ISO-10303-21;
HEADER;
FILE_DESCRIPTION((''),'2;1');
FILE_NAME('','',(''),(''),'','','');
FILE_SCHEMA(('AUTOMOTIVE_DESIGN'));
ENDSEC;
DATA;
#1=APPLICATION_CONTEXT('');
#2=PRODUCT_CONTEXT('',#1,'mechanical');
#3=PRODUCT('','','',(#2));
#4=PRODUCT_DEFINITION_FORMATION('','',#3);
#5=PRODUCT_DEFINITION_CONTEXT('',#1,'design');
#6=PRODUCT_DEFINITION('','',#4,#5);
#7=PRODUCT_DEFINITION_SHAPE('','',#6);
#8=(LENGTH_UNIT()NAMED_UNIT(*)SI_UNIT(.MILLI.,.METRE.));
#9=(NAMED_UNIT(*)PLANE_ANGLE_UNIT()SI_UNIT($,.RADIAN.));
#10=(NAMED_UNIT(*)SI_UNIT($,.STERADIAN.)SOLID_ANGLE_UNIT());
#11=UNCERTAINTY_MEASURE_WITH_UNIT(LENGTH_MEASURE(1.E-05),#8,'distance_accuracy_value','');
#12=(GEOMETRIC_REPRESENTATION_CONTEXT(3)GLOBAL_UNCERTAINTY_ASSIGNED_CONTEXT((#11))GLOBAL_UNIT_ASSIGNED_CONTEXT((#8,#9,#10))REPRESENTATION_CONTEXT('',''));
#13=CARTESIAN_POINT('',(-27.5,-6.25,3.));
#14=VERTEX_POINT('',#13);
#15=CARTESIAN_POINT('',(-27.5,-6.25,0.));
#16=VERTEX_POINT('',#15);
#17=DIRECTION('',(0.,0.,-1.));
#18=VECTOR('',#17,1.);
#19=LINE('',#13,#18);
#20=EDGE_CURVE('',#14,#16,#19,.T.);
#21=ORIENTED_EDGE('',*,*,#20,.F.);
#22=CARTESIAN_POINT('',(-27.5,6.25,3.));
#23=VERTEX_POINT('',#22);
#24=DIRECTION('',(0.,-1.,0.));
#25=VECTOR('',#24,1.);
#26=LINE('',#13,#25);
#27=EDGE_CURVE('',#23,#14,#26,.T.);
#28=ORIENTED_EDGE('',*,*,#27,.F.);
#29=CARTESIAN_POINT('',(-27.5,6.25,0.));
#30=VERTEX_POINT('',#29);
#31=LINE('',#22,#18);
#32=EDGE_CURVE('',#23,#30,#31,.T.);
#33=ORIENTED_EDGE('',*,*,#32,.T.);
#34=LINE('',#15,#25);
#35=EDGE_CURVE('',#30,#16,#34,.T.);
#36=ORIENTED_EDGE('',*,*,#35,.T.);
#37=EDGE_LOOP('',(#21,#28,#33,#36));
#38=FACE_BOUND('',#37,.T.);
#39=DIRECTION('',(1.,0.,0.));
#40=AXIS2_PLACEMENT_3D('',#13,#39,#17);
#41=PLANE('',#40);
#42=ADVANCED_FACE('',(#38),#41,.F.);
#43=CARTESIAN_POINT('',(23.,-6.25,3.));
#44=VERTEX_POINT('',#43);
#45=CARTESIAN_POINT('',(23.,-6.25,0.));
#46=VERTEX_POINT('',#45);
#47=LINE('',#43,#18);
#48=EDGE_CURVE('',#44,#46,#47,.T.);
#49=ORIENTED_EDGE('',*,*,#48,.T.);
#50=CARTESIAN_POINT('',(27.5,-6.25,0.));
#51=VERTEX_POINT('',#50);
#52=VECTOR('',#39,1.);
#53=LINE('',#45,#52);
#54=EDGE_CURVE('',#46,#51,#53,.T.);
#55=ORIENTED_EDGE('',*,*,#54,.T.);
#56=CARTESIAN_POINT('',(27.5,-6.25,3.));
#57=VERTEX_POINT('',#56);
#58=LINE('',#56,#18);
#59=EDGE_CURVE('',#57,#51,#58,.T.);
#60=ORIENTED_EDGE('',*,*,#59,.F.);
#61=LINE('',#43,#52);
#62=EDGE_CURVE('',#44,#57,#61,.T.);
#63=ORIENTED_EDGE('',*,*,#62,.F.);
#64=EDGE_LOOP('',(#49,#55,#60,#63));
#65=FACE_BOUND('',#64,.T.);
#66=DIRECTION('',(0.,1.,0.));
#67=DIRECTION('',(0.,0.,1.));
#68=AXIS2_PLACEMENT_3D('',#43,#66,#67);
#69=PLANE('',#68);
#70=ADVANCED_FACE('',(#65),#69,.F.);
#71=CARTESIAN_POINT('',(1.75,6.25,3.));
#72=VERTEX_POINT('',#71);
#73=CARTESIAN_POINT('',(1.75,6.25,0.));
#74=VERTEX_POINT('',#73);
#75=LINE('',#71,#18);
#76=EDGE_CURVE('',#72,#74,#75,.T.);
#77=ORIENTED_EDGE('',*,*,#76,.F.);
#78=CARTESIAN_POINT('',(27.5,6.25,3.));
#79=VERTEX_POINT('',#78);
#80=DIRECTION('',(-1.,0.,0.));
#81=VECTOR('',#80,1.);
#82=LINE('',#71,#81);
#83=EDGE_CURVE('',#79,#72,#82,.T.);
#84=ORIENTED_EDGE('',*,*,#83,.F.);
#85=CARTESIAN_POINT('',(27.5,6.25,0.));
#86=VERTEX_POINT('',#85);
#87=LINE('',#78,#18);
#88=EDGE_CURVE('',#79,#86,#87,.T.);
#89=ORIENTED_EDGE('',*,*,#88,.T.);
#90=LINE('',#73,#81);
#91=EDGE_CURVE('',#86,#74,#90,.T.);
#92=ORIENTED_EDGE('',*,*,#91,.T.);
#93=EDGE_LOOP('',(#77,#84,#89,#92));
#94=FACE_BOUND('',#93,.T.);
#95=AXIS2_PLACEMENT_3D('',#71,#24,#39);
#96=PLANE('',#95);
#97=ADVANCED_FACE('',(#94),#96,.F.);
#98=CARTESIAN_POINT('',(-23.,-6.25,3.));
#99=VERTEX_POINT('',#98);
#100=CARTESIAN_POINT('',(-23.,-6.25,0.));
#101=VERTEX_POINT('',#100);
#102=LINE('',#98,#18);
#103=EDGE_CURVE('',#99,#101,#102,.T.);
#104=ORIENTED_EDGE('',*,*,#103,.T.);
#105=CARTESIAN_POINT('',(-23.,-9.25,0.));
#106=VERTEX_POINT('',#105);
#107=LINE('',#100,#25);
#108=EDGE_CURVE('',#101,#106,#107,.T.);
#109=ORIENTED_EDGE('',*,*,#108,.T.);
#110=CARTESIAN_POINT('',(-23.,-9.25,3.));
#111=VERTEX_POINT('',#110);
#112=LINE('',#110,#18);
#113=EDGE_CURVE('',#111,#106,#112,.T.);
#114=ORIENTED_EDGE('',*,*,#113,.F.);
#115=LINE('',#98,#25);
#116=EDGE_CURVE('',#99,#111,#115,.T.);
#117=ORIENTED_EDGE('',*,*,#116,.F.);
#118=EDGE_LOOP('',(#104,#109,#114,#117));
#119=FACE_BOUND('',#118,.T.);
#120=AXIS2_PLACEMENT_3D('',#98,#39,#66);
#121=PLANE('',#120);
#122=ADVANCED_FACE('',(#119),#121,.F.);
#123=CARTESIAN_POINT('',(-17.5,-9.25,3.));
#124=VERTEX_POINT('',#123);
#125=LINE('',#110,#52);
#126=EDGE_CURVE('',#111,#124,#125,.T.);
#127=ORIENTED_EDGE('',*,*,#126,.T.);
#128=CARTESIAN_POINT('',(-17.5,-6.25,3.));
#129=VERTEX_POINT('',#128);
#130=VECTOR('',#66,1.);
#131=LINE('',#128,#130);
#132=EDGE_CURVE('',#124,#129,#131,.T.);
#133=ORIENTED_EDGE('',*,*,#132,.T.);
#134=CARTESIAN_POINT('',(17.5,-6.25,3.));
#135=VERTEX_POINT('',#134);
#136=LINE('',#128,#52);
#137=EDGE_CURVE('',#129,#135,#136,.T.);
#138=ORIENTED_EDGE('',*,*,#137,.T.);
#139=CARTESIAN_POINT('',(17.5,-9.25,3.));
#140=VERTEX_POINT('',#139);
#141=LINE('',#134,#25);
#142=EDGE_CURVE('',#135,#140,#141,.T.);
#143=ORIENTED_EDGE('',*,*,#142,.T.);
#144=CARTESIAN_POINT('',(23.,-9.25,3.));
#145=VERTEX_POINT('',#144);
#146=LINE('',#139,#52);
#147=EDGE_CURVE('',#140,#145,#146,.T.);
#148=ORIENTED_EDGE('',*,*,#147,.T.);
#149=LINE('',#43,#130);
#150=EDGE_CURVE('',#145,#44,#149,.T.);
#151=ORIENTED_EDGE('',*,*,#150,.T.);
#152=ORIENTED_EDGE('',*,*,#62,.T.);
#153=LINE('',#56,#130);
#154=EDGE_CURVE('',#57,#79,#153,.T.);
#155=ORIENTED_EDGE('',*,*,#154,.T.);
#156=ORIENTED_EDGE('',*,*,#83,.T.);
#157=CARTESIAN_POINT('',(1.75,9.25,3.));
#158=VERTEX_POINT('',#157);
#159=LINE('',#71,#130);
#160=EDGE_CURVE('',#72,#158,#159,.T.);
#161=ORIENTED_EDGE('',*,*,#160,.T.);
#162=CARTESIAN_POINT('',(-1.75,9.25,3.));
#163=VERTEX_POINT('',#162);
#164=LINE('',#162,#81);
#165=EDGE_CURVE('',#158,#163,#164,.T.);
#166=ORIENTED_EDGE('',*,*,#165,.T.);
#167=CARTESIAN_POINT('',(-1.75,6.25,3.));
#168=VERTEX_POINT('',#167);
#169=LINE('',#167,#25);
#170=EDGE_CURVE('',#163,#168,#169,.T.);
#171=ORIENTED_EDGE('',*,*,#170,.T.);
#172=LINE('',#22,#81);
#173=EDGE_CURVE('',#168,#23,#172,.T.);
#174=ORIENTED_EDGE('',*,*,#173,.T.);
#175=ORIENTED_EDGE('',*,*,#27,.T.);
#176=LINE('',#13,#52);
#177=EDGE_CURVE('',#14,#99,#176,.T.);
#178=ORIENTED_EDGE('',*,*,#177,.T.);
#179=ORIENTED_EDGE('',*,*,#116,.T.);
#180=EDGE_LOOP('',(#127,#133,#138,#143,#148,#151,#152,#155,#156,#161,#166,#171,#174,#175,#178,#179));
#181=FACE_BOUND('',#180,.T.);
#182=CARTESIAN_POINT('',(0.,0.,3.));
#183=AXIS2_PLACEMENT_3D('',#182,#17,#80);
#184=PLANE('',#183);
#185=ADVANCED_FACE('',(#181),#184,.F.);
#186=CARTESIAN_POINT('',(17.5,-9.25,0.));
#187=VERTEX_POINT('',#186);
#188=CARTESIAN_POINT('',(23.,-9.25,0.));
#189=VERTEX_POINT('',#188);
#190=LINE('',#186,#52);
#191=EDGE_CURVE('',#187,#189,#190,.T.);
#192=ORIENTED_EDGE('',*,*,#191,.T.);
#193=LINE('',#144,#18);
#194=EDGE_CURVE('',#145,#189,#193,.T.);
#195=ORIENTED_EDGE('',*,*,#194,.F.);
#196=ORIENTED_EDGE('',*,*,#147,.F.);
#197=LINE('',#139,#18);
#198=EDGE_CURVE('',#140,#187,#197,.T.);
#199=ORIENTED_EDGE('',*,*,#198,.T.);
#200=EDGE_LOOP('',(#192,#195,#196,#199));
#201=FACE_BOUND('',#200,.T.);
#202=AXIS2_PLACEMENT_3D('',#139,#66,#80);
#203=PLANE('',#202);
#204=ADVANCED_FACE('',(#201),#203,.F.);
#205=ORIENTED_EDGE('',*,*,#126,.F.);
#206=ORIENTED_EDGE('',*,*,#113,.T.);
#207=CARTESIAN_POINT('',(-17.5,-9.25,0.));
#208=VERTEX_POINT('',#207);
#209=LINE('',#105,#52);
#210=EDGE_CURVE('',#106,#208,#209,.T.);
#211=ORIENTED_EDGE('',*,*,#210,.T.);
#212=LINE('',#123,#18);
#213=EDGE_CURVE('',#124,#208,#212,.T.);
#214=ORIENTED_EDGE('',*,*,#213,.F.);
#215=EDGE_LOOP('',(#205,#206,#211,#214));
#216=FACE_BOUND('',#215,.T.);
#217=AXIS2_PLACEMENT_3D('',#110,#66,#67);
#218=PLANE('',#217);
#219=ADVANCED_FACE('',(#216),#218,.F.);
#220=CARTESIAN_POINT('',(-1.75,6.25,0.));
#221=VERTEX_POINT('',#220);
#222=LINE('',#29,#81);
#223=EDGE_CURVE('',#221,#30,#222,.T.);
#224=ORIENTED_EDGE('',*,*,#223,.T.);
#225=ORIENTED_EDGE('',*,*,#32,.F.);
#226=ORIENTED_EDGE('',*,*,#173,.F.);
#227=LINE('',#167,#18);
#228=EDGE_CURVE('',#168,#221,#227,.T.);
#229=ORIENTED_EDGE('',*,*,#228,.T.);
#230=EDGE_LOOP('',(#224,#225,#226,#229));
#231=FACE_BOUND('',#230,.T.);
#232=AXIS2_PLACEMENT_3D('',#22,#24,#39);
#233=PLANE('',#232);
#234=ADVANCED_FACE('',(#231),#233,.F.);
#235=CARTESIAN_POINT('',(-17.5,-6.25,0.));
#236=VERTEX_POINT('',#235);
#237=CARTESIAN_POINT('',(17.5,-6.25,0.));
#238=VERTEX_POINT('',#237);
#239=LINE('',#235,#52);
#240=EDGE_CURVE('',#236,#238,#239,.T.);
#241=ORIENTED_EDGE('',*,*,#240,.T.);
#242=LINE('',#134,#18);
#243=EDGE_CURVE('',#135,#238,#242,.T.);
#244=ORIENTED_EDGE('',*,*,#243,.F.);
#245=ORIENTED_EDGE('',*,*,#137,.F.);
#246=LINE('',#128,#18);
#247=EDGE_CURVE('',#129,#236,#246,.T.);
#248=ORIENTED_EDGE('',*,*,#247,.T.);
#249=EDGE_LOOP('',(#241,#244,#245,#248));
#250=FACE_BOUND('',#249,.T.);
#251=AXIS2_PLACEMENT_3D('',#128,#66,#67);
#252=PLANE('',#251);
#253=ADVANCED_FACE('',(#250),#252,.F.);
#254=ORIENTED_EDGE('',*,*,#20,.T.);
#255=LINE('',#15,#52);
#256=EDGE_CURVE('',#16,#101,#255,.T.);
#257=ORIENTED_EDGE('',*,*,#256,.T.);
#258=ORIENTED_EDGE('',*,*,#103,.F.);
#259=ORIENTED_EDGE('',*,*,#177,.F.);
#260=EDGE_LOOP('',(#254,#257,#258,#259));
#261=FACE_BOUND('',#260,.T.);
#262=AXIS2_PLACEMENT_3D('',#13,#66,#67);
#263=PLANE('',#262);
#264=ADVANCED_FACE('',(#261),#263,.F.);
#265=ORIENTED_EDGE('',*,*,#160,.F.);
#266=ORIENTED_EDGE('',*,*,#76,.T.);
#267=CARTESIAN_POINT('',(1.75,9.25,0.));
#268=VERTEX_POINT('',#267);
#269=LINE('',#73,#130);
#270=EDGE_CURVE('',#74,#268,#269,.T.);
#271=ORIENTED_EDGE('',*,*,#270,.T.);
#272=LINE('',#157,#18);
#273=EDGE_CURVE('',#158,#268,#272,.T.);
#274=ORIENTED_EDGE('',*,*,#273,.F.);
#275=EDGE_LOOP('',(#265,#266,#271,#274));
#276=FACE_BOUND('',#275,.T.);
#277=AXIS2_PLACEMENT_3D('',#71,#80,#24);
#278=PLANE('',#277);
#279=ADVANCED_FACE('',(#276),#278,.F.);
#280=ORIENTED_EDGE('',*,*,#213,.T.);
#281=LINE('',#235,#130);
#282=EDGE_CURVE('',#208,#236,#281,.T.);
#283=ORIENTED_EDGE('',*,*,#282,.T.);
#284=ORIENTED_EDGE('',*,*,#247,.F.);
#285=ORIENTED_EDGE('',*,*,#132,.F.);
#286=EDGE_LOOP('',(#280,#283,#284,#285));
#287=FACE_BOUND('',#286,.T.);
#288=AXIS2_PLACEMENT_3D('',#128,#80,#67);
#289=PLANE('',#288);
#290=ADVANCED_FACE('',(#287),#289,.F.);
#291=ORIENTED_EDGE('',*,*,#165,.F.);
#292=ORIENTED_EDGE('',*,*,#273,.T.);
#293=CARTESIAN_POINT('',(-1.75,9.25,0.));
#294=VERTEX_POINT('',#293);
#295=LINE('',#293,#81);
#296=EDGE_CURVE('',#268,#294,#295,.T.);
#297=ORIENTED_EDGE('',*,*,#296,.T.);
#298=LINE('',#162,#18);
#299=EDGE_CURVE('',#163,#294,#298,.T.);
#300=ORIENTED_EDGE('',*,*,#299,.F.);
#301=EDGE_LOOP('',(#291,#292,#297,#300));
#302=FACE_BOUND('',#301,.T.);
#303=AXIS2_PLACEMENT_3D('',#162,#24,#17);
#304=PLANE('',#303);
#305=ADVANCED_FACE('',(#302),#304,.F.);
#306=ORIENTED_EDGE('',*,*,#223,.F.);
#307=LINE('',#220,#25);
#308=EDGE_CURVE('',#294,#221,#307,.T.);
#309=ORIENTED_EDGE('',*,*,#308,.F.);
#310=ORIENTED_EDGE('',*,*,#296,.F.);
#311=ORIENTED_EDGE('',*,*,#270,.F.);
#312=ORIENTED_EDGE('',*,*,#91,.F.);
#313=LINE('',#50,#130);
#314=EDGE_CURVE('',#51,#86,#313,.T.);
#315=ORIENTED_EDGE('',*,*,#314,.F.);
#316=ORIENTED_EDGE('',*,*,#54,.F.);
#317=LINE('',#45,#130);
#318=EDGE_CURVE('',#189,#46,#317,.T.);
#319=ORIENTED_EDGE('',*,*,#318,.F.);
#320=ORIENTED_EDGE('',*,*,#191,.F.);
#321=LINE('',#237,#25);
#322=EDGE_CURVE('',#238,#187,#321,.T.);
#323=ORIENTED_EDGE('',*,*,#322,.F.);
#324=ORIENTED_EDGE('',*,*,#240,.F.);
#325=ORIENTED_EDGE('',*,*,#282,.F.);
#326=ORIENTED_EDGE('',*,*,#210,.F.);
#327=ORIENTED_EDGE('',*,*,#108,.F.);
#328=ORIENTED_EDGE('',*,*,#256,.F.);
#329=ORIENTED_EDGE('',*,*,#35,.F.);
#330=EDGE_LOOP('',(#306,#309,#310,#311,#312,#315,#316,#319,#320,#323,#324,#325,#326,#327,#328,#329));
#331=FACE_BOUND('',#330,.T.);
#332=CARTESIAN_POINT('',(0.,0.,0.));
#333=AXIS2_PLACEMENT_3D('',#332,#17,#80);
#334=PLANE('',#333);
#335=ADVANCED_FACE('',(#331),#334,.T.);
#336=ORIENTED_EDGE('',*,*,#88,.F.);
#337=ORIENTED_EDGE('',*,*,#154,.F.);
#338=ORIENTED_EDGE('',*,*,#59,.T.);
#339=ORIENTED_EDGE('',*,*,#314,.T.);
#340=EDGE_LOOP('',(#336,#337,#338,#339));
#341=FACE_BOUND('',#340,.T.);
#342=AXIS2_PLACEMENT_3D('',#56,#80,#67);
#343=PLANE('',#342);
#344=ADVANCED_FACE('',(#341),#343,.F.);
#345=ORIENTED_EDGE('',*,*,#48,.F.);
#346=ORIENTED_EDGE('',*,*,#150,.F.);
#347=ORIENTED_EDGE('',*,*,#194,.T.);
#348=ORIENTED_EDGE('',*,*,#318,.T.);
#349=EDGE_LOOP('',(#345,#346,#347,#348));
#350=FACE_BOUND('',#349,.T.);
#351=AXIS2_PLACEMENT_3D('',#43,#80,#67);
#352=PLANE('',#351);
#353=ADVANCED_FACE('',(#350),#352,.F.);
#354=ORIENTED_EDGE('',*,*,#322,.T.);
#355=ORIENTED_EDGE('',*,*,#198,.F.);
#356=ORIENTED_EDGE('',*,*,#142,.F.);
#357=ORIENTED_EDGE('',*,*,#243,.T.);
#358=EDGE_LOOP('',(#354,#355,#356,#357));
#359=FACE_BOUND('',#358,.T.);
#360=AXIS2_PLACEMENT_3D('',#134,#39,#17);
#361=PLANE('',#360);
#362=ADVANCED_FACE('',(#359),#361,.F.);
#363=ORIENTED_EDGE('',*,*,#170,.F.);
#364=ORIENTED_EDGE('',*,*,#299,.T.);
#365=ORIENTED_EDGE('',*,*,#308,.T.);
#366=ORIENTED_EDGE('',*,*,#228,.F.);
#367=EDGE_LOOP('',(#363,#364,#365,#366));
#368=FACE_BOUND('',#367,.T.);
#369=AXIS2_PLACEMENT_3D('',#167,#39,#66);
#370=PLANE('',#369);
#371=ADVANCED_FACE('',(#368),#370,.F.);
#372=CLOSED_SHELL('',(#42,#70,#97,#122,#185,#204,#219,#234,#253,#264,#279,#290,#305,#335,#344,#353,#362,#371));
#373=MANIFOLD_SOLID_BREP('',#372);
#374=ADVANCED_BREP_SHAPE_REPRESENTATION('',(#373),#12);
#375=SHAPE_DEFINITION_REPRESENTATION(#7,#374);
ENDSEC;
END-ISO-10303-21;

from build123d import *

# Parameters (mm, degrees)
SALIENTE_EXTRUIR1_DEPTH = 3


with BuildPart() as part:
    # Croquis1 → Saliente-Extruir1 (new body)
    with BuildSketch(Plane.XY):
        Polygon((1.75, 6.25), (27.5, 6.25), (27.5, -6.25), (23, -6.25), (23, -9.25), (17.5, -9.25), (17.5, -6.25), (-17.5, -6.25), (-17.5, -9.25), (-23, -9.25), (-23, -6.25), (-27.5, -6.25), (-27.5, 6.25), (-1.75, 6.25), (-1.75, 9.25), (1.75, 9.25), align=None)
    extrude(amount=SALIENTE_EXTRUIR1_DEPTH)


solid = part.part
